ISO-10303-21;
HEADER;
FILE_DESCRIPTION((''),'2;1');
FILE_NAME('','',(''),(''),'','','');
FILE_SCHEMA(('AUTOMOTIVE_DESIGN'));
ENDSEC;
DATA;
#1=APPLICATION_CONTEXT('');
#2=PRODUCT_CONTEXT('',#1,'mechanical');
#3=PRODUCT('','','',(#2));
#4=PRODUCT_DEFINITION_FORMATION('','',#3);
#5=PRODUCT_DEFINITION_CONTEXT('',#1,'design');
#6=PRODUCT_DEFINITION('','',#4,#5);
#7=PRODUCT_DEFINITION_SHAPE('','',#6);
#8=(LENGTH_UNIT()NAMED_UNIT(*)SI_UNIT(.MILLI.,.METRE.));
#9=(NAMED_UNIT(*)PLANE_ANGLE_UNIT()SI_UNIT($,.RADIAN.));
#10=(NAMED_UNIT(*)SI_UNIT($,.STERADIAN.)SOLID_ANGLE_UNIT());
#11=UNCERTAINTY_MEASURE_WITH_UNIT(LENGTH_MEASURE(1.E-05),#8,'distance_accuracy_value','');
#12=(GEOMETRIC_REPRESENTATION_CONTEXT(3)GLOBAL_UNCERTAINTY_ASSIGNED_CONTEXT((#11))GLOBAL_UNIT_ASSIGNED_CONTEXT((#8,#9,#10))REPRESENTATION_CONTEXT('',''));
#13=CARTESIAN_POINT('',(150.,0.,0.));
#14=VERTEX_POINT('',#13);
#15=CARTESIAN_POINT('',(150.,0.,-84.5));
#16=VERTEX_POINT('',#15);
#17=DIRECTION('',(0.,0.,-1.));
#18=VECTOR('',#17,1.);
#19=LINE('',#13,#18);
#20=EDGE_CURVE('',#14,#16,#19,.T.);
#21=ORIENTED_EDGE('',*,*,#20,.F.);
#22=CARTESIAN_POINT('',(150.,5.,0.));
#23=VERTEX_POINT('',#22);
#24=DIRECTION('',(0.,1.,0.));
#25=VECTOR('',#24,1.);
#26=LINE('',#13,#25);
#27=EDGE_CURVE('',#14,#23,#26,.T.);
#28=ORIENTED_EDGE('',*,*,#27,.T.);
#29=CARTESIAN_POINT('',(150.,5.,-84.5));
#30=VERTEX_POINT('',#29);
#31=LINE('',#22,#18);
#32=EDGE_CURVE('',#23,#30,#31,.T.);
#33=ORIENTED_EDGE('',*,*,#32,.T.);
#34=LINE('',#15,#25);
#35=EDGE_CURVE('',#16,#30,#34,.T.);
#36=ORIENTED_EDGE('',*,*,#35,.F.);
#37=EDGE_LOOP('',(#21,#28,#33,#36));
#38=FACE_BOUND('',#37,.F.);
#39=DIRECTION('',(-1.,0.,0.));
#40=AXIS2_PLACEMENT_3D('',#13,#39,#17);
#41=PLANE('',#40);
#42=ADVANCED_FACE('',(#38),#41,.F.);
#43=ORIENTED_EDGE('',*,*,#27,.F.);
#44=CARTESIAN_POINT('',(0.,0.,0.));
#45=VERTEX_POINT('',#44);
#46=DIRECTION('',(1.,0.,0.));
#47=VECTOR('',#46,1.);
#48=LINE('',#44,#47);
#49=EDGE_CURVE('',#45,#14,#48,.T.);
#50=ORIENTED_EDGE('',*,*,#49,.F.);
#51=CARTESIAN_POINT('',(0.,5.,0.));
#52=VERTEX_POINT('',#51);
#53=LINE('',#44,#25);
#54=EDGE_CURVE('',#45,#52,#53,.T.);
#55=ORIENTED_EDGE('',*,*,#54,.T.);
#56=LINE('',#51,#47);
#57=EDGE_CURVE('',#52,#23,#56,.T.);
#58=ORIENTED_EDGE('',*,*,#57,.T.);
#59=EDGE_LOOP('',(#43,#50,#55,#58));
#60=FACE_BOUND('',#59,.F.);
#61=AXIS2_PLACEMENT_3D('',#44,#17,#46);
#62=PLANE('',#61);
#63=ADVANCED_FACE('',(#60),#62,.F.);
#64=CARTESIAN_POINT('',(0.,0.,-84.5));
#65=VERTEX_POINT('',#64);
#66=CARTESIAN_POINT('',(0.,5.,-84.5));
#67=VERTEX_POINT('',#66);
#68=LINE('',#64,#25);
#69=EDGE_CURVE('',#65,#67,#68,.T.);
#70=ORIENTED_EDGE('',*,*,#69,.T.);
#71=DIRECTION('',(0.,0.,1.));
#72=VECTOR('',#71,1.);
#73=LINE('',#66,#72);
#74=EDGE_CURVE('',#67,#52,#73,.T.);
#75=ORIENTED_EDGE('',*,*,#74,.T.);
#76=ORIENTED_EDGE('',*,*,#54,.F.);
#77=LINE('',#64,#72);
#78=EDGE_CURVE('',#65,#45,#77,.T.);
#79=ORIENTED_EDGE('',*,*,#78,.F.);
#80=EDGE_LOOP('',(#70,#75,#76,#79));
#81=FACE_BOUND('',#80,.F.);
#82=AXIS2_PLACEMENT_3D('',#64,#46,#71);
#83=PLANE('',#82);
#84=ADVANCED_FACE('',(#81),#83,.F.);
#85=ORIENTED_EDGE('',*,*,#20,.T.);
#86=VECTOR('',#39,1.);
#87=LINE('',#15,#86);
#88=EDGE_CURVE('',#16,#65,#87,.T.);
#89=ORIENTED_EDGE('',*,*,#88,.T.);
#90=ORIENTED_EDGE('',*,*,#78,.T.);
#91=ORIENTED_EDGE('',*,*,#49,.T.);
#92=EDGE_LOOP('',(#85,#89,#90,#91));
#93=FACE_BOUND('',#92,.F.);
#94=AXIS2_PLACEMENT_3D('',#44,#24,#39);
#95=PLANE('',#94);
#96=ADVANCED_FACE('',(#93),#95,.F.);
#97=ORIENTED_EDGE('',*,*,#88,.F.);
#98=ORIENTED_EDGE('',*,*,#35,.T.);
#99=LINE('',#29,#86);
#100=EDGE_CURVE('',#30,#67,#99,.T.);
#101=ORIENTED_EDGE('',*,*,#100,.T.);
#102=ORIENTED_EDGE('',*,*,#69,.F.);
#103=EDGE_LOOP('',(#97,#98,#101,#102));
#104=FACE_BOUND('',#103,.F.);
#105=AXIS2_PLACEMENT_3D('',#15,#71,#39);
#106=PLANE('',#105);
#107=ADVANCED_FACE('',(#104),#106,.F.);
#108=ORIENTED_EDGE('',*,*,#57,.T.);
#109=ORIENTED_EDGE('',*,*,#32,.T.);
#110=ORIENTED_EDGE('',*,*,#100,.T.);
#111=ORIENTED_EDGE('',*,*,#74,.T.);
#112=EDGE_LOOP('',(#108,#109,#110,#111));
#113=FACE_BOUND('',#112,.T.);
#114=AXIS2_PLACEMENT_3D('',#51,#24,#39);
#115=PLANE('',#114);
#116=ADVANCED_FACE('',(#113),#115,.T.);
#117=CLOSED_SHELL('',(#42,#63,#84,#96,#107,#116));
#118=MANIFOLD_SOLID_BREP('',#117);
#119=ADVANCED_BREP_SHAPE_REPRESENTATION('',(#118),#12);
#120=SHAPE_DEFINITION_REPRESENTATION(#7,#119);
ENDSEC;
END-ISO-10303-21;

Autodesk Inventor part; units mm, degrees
ref_plane "YZ Plane" through (0, 0, 0) normal (1, 0, 0) x (0, 1, 0)
ref_plane "XZ Plane" through (0, 0, 0) normal (0, 1, 0) x (-1, 0, 0)
ref_plane "XY Plane" through (0, 0, 0) normal (0, 0, 1) x (1, 0, 0)
sketch "Sketch1" plane through (0, 0, 0) normal (0, 1, 0) x (-1, 0, 0)
  line L0 (0, 0) -> (-150, 0)
  line L1 (-150, 0) -> (-150, -84.5)
  line L2 (-150, -84.5) -> (0, -84.5)
  line L3 (0, -84.5) -> (0, 0)
  dimension "d0" = 150
  dimension "d1" = 84.5
extrude "Extrusion1" add sketch "Sketch1" along normal blind 5
properties part number "Mock PCB"
